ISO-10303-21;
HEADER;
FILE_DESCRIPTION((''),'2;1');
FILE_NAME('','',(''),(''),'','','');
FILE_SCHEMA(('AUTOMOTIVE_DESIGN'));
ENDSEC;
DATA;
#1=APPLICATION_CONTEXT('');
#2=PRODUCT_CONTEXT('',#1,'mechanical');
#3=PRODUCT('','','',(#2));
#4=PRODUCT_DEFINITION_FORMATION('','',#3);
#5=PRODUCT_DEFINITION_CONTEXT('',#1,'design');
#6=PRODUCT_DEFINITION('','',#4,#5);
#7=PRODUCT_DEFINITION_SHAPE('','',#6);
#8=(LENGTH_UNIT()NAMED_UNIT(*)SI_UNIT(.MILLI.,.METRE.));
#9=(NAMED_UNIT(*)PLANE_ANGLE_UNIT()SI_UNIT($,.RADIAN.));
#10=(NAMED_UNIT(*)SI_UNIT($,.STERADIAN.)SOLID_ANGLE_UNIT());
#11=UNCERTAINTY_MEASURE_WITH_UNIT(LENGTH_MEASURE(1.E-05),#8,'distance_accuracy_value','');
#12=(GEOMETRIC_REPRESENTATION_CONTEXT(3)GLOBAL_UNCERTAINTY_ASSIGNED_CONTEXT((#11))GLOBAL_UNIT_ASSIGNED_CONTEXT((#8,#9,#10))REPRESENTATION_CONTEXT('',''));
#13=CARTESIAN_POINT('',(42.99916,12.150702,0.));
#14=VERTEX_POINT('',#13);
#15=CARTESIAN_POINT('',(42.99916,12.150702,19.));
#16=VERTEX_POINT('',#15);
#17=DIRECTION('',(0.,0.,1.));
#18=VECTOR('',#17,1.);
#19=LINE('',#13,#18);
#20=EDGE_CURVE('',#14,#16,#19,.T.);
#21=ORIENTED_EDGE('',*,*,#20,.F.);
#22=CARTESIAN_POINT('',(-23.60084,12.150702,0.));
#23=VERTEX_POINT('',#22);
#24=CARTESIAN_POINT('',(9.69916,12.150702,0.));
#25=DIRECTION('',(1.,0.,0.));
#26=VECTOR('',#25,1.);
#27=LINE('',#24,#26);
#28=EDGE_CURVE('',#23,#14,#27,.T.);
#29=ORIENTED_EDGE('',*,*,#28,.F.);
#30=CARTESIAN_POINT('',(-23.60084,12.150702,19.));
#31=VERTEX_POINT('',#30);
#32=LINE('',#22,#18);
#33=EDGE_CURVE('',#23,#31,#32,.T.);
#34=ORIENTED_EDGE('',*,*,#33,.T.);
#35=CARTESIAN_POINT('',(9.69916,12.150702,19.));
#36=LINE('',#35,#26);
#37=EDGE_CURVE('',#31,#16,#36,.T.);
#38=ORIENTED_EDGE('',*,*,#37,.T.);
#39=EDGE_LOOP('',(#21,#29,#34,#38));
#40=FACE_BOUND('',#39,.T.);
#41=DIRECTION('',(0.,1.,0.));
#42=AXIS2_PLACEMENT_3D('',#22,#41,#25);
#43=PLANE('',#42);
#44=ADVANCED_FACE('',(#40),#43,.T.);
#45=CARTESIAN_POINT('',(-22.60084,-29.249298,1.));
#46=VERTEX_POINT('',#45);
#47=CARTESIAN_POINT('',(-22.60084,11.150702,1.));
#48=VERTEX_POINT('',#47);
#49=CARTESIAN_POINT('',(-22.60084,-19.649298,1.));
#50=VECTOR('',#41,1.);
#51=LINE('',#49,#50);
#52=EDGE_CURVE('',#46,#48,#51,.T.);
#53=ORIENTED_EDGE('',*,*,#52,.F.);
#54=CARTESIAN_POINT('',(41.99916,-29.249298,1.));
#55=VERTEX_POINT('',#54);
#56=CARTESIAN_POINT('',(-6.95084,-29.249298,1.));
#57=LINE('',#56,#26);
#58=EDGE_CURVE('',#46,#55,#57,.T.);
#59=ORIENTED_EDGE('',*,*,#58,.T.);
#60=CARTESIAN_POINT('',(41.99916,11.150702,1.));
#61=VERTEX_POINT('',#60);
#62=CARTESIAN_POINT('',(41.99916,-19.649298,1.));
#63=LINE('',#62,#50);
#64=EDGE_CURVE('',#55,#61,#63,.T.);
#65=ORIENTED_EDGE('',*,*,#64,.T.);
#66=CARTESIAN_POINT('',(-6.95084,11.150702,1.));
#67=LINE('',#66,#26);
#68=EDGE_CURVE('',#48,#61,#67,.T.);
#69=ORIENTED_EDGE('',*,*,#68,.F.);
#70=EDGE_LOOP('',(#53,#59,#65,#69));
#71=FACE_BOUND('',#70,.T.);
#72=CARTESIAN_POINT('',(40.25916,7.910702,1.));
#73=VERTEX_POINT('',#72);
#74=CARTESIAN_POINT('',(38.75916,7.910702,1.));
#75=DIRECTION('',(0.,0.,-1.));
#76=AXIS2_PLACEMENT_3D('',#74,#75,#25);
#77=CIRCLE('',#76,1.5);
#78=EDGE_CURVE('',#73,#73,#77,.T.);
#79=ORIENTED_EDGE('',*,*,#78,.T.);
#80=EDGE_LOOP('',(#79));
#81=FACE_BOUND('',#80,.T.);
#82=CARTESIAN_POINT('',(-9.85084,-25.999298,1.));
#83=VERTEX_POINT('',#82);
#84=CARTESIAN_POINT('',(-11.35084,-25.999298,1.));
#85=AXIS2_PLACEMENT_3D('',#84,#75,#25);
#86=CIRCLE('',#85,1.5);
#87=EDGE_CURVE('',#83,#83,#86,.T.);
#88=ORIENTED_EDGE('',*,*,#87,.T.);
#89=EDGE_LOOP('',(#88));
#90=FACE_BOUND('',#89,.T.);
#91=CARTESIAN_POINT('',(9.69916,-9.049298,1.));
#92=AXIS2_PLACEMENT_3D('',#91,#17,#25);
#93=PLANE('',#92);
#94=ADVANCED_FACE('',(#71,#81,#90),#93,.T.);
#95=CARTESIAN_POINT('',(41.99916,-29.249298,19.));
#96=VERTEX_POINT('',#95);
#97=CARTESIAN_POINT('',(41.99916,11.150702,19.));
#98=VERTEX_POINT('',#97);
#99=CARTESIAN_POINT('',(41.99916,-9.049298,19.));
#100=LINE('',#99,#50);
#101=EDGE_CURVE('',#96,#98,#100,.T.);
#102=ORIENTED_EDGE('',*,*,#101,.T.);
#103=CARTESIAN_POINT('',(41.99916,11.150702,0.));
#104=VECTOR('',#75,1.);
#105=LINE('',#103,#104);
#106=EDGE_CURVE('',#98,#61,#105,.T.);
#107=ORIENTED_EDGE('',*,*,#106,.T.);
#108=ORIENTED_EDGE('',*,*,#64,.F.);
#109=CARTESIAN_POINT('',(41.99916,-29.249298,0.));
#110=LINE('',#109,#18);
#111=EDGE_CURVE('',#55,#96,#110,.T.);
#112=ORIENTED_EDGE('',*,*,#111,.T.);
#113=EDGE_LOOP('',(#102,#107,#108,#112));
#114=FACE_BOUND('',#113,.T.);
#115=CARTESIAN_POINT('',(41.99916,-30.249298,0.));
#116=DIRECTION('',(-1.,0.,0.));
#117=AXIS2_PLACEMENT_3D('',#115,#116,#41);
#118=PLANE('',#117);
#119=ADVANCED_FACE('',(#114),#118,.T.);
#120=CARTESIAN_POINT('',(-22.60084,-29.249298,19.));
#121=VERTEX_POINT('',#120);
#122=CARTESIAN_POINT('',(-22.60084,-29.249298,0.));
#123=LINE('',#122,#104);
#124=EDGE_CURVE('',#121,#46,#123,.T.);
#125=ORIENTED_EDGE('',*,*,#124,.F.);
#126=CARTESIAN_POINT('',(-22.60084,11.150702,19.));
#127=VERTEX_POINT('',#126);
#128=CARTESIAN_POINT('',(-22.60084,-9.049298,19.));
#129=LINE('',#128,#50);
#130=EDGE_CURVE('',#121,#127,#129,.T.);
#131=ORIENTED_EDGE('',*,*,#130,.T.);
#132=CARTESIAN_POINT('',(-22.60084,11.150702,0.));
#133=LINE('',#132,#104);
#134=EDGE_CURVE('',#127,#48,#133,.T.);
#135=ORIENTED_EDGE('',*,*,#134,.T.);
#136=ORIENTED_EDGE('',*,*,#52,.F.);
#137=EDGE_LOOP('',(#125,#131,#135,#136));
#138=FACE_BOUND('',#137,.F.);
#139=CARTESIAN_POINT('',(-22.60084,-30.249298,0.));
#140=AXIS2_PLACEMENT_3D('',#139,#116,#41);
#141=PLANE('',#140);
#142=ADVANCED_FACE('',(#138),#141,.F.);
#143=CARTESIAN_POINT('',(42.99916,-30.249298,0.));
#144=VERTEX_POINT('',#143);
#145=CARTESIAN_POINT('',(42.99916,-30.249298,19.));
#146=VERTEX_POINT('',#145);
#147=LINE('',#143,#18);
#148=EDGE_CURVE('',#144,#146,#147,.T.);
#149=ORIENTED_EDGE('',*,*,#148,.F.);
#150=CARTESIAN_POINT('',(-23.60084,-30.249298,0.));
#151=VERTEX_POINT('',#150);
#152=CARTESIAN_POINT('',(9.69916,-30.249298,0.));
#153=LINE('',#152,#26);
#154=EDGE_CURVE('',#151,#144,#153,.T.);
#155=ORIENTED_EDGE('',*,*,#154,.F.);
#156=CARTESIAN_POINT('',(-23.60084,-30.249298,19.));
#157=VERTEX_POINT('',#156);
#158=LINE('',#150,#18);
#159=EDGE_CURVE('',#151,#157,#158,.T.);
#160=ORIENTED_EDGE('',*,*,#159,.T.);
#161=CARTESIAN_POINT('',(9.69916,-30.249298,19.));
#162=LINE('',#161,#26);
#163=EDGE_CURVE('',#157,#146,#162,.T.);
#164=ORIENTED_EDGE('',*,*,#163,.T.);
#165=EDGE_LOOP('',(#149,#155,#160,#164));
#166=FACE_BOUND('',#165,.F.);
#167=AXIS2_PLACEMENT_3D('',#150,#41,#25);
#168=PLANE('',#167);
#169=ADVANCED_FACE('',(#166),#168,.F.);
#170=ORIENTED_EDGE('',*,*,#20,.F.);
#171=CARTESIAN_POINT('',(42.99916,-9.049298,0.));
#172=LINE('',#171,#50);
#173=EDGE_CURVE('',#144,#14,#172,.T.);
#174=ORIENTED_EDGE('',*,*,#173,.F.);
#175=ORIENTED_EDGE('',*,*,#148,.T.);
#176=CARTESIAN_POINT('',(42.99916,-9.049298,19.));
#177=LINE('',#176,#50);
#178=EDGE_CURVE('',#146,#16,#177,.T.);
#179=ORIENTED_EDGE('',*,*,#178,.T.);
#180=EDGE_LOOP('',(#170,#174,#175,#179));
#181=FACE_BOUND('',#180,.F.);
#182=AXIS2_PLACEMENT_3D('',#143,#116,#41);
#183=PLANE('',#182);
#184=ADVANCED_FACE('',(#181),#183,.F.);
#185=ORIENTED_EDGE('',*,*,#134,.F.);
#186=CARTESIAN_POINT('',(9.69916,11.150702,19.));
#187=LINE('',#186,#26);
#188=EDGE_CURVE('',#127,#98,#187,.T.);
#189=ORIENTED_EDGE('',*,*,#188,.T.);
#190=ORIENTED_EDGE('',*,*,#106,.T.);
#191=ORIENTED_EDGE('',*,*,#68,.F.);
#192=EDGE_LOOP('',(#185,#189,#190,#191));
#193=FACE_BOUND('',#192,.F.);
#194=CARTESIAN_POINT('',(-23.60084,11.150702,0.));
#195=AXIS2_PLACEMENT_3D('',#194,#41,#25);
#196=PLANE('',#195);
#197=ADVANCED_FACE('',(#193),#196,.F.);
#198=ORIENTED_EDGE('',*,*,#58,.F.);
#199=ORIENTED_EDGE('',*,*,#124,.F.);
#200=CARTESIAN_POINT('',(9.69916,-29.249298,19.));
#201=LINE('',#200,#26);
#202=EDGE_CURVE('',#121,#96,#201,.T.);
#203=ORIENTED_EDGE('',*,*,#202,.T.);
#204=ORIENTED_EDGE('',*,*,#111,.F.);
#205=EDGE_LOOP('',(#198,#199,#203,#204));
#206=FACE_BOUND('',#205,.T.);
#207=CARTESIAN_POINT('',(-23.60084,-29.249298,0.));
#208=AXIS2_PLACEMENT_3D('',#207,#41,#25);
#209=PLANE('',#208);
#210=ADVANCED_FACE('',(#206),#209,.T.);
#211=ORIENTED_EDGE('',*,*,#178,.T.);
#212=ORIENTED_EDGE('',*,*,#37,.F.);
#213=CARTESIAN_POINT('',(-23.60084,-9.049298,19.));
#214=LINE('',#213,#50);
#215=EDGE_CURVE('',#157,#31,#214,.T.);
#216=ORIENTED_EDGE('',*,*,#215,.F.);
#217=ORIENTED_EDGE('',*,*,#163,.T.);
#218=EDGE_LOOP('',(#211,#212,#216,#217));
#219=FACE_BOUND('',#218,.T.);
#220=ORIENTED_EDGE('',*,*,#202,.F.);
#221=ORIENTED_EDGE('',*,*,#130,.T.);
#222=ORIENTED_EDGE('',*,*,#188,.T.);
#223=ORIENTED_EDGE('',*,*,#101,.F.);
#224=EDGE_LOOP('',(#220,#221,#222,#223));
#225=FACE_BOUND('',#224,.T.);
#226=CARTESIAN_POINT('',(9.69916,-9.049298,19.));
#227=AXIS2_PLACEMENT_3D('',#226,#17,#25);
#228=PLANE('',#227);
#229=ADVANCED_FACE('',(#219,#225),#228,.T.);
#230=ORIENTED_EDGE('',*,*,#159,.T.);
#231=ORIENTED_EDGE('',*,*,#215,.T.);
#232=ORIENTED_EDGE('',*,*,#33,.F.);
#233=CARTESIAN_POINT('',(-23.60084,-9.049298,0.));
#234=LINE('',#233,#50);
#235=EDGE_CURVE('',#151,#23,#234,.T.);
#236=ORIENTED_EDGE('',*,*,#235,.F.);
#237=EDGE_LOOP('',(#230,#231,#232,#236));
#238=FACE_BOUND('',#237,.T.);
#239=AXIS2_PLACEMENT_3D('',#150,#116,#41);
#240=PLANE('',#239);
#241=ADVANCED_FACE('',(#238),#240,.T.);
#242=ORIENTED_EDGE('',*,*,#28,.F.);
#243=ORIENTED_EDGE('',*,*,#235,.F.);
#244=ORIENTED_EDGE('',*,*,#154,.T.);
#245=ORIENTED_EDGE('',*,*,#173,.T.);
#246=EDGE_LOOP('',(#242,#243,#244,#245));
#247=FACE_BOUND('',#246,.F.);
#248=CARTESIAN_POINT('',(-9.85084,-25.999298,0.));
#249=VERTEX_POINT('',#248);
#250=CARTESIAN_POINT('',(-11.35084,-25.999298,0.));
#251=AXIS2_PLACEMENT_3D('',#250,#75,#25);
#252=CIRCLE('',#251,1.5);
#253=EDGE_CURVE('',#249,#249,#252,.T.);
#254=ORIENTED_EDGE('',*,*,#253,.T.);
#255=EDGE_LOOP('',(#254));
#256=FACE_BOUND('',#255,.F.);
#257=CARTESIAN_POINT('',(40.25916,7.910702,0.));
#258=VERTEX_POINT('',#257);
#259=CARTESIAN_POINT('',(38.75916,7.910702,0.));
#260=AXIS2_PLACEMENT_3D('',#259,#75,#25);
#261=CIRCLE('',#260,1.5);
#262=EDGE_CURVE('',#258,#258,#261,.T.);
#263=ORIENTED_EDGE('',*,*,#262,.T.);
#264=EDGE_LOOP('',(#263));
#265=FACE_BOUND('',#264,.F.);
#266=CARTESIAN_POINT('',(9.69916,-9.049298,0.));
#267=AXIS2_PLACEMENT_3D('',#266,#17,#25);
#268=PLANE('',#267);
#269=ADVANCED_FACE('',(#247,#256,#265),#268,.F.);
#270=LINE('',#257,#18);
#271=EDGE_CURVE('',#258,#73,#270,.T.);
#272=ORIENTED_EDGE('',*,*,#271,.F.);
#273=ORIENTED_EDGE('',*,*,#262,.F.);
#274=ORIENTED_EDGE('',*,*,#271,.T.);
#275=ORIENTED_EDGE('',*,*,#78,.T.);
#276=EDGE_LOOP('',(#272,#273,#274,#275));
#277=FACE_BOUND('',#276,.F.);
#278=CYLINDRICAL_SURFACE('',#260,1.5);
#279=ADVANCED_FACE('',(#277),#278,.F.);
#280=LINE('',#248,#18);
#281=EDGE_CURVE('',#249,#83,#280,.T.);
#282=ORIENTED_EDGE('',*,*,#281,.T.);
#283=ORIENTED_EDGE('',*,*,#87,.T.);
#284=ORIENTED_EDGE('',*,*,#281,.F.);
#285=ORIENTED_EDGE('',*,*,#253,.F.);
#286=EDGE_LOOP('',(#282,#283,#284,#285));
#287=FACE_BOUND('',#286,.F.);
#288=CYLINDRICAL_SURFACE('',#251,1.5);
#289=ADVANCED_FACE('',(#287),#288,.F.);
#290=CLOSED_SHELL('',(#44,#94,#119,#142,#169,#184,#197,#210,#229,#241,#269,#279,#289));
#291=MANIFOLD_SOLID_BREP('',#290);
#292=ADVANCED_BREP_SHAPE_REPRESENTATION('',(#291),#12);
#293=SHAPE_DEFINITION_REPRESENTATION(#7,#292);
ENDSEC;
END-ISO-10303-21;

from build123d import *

# Parameters (mm, degrees)
F0_W     = 66.6
F0_H     = 42.4
F1_DEPTH = 19
F2_T     = -1
F3_R     = 1.5
F4_DEPTH = 25
F5_R     = 1.5
F6_DEPTH = 25


with BuildPart() as f1:
    # F0 (on Top) → F1 (new body)
    with BuildSketch(Plane.XY):
        with Locations((9.69916, -9.049298)):
            Rectangle(F0_W, F0_H)
    extrude(amount=F1_DEPTH)

    # F2
    f2_openings = [f1.faces().sort_by_distance(p)[0] for p in [
        (9.69916, -9.049298, 19),
    ]]
    offset(amount=F2_T, openings=f2_openings)

    # F3 (on face) → F4 (cut)
    with BuildSketch(Plane(origin=(0, 0, 0), x_dir=(1, 0, 0), z_dir=(0, 0, -1))):
        with Locations((-11.35084, 25.999298)):
            Circle(F3_R)
    extrude(amount=-F4_DEPTH, mode=Mode.SUBTRACT)

    # F5 (on face) → F6 (cut)
    with BuildSketch(Plane(origin=(0, 0, 0), x_dir=(1, 0, 0), z_dir=(0, 0, -1))):
        with Locations((38.75916, -7.910702)):
            Circle(F5_R)
    extrude(amount=-F6_DEPTH, mode=Mode.SUBTRACT)


solid = f1.part
